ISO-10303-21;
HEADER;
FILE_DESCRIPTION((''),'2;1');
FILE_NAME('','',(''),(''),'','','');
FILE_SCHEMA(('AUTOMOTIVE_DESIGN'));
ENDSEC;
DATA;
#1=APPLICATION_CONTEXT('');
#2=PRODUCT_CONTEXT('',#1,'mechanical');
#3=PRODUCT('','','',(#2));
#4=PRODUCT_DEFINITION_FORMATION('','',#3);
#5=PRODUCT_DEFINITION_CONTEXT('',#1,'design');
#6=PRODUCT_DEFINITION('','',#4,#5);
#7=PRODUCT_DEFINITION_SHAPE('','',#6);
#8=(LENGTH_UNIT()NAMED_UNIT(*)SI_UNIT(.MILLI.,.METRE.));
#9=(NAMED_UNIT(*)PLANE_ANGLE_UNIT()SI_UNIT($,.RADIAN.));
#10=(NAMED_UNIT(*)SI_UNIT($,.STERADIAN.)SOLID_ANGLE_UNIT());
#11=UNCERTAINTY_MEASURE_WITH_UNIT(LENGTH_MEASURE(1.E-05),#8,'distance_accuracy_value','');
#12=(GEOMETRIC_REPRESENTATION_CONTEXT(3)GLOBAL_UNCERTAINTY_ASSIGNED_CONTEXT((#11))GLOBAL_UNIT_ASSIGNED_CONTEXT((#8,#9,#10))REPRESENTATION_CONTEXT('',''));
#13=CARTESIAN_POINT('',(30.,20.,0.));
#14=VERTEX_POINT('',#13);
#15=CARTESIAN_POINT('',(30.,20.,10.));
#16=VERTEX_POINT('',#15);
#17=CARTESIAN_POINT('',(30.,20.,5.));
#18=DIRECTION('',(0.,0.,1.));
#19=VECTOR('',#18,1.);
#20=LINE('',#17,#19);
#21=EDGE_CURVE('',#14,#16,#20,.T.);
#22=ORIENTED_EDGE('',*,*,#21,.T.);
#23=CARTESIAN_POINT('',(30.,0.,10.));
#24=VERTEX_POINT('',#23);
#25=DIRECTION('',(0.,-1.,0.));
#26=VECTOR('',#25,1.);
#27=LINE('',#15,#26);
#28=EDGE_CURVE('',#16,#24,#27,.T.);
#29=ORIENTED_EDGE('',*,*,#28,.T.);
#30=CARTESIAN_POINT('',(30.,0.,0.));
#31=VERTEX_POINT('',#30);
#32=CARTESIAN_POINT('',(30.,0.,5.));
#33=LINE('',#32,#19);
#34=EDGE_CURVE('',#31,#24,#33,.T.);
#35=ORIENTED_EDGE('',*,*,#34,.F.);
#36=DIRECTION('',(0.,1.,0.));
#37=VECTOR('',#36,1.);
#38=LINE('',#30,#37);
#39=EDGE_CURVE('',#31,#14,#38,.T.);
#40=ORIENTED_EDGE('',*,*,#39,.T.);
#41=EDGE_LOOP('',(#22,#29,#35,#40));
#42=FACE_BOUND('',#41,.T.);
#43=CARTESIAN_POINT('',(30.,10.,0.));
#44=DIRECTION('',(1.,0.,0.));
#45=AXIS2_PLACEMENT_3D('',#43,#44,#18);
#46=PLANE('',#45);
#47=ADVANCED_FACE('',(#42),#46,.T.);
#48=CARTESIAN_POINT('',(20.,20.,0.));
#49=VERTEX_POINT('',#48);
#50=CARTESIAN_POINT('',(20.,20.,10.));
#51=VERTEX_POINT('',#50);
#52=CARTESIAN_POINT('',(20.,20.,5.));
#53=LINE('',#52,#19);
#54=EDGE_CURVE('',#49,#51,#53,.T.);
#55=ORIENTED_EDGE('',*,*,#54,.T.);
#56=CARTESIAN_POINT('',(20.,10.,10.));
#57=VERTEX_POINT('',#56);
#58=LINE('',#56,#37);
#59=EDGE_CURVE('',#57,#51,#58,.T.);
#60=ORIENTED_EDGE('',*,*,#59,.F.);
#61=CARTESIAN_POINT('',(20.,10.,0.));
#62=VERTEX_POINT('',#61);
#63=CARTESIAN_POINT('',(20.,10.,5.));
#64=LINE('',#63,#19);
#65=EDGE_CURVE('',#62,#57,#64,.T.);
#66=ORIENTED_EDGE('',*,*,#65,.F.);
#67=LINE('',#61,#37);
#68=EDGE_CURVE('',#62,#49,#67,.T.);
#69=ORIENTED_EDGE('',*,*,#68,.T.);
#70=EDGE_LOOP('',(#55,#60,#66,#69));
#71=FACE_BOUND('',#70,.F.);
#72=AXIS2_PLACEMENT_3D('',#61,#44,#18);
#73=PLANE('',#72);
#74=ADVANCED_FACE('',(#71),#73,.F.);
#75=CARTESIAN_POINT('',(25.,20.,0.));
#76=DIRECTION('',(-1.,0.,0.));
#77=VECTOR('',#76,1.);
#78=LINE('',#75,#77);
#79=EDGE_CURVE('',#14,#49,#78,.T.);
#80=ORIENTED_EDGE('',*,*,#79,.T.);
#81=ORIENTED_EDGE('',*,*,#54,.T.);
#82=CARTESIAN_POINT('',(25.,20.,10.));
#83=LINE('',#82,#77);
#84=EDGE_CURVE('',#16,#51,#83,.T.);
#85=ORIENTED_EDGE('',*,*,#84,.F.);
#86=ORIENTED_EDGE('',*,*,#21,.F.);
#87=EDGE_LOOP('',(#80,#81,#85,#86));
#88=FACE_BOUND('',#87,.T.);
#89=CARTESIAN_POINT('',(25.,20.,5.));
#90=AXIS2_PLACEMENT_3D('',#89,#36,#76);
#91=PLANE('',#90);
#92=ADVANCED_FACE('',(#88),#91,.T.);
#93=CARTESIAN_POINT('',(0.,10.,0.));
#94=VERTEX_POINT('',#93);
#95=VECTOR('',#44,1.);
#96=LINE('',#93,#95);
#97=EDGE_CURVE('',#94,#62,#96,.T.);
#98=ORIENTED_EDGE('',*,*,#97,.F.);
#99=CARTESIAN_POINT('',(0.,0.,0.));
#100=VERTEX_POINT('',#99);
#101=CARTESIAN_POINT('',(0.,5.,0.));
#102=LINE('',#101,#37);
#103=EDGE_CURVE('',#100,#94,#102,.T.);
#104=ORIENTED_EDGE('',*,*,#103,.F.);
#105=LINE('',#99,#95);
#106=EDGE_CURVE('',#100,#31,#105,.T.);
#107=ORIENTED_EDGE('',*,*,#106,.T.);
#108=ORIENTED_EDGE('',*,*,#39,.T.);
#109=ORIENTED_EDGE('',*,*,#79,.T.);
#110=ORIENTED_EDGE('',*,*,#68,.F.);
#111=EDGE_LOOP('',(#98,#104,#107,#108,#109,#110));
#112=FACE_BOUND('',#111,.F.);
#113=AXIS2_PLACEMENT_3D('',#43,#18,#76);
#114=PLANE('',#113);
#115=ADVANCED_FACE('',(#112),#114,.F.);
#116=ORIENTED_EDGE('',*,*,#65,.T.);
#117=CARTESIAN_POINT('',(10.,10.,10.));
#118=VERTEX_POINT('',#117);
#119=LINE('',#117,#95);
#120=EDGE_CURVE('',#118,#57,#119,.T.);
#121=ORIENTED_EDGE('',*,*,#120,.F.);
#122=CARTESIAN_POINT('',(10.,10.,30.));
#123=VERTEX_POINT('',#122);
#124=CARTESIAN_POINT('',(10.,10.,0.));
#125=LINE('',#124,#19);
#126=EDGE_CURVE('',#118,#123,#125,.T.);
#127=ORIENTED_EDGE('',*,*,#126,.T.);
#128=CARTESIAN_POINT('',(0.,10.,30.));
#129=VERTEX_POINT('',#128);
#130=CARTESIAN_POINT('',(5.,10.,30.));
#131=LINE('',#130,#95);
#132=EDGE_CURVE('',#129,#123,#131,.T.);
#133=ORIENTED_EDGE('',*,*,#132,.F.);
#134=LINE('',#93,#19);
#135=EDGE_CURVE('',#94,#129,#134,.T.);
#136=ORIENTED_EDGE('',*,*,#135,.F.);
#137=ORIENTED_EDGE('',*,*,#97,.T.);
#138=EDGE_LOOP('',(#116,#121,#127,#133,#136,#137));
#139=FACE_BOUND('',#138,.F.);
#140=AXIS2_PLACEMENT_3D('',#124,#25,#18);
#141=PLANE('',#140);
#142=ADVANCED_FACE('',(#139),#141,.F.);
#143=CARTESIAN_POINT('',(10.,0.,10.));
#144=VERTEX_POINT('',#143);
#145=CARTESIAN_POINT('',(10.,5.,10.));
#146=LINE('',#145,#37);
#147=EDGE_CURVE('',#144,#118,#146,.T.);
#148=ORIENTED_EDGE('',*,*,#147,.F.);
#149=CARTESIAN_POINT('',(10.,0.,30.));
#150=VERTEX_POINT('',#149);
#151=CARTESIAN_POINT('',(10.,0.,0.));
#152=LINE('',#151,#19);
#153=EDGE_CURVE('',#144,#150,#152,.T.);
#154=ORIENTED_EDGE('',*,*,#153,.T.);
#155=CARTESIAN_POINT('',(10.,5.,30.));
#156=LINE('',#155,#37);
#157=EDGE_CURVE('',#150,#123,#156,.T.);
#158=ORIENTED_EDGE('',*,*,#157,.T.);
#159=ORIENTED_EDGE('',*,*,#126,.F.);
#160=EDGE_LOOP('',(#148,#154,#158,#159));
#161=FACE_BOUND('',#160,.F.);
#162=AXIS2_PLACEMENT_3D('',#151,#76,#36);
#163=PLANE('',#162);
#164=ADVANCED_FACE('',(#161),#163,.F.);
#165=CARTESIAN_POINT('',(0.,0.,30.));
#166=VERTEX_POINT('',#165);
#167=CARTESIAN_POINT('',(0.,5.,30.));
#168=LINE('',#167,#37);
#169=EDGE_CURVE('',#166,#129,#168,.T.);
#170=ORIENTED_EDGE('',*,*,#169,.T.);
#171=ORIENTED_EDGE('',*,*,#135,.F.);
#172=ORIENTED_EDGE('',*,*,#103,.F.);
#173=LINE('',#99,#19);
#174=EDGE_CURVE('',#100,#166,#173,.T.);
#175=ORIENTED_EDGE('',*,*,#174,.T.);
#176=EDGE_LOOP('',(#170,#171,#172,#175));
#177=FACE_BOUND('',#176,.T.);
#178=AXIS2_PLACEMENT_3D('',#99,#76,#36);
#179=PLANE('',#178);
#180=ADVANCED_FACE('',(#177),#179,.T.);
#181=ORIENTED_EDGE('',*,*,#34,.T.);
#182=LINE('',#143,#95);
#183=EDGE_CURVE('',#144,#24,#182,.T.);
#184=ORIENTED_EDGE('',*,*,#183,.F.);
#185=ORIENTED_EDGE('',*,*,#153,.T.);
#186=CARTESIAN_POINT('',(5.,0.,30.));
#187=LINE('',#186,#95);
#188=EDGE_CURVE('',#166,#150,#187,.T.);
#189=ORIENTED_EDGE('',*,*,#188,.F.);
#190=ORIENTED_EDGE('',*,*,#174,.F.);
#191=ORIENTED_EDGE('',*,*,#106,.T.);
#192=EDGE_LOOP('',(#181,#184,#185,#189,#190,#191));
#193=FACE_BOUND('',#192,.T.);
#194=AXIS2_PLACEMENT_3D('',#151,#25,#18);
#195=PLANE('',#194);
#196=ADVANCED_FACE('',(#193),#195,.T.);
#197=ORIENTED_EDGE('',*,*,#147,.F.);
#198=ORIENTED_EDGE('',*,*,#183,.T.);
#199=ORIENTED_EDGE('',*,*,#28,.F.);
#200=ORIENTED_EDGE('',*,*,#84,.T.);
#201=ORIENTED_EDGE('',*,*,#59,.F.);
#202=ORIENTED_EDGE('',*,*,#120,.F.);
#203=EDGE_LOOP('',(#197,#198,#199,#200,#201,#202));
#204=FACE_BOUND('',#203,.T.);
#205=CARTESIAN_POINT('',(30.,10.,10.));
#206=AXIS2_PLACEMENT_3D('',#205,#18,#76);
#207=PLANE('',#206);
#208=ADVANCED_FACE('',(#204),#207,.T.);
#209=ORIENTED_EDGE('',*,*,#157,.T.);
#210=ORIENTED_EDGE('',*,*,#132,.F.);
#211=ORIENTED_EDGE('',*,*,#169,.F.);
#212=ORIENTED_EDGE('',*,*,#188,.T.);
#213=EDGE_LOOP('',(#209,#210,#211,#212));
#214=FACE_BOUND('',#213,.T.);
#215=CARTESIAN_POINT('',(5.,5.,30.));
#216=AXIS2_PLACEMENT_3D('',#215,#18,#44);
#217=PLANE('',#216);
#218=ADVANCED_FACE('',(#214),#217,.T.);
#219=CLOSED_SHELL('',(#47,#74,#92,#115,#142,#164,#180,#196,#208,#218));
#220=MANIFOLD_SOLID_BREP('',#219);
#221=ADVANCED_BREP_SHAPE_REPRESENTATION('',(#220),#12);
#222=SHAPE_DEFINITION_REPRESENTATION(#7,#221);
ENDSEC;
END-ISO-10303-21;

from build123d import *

# Parameters (mm, degrees)
F0_W     = 10
F0_H     = 10
F1_DEPTH = 30
F2_W     = 10
F2_H     = 10
F3_DEPTH = 20
F4_W     = 10
F4_H     = 10
F5_DEPTH = 10


with BuildPart() as f1:
    # F0 (on Top) → F1 (new body)
    with BuildSketch(Plane.XY):
        with Locations((5, 5)):
            Rectangle(F0_W, F0_H)
    extrude(amount=F1_DEPTH)

    # F2 (on face) → F3 (join)
    with BuildSketch(Plane.YZ.offset(10)):
        with Locations((5, 5)):
            Rectangle(F2_W, F2_H)
    extrude(amount=F3_DEPTH)

    # F4 (on face) → F5 (join)
    with BuildSketch(Plane(origin=(0, 10, 0), x_dir=(-1, 0, 0), z_dir=(0, 1, 0))):
        with Locations((-25, 5)):
            Rectangle(F4_W, F4_H)
    extrude(amount=F5_DEPTH)


solid = f1.part
